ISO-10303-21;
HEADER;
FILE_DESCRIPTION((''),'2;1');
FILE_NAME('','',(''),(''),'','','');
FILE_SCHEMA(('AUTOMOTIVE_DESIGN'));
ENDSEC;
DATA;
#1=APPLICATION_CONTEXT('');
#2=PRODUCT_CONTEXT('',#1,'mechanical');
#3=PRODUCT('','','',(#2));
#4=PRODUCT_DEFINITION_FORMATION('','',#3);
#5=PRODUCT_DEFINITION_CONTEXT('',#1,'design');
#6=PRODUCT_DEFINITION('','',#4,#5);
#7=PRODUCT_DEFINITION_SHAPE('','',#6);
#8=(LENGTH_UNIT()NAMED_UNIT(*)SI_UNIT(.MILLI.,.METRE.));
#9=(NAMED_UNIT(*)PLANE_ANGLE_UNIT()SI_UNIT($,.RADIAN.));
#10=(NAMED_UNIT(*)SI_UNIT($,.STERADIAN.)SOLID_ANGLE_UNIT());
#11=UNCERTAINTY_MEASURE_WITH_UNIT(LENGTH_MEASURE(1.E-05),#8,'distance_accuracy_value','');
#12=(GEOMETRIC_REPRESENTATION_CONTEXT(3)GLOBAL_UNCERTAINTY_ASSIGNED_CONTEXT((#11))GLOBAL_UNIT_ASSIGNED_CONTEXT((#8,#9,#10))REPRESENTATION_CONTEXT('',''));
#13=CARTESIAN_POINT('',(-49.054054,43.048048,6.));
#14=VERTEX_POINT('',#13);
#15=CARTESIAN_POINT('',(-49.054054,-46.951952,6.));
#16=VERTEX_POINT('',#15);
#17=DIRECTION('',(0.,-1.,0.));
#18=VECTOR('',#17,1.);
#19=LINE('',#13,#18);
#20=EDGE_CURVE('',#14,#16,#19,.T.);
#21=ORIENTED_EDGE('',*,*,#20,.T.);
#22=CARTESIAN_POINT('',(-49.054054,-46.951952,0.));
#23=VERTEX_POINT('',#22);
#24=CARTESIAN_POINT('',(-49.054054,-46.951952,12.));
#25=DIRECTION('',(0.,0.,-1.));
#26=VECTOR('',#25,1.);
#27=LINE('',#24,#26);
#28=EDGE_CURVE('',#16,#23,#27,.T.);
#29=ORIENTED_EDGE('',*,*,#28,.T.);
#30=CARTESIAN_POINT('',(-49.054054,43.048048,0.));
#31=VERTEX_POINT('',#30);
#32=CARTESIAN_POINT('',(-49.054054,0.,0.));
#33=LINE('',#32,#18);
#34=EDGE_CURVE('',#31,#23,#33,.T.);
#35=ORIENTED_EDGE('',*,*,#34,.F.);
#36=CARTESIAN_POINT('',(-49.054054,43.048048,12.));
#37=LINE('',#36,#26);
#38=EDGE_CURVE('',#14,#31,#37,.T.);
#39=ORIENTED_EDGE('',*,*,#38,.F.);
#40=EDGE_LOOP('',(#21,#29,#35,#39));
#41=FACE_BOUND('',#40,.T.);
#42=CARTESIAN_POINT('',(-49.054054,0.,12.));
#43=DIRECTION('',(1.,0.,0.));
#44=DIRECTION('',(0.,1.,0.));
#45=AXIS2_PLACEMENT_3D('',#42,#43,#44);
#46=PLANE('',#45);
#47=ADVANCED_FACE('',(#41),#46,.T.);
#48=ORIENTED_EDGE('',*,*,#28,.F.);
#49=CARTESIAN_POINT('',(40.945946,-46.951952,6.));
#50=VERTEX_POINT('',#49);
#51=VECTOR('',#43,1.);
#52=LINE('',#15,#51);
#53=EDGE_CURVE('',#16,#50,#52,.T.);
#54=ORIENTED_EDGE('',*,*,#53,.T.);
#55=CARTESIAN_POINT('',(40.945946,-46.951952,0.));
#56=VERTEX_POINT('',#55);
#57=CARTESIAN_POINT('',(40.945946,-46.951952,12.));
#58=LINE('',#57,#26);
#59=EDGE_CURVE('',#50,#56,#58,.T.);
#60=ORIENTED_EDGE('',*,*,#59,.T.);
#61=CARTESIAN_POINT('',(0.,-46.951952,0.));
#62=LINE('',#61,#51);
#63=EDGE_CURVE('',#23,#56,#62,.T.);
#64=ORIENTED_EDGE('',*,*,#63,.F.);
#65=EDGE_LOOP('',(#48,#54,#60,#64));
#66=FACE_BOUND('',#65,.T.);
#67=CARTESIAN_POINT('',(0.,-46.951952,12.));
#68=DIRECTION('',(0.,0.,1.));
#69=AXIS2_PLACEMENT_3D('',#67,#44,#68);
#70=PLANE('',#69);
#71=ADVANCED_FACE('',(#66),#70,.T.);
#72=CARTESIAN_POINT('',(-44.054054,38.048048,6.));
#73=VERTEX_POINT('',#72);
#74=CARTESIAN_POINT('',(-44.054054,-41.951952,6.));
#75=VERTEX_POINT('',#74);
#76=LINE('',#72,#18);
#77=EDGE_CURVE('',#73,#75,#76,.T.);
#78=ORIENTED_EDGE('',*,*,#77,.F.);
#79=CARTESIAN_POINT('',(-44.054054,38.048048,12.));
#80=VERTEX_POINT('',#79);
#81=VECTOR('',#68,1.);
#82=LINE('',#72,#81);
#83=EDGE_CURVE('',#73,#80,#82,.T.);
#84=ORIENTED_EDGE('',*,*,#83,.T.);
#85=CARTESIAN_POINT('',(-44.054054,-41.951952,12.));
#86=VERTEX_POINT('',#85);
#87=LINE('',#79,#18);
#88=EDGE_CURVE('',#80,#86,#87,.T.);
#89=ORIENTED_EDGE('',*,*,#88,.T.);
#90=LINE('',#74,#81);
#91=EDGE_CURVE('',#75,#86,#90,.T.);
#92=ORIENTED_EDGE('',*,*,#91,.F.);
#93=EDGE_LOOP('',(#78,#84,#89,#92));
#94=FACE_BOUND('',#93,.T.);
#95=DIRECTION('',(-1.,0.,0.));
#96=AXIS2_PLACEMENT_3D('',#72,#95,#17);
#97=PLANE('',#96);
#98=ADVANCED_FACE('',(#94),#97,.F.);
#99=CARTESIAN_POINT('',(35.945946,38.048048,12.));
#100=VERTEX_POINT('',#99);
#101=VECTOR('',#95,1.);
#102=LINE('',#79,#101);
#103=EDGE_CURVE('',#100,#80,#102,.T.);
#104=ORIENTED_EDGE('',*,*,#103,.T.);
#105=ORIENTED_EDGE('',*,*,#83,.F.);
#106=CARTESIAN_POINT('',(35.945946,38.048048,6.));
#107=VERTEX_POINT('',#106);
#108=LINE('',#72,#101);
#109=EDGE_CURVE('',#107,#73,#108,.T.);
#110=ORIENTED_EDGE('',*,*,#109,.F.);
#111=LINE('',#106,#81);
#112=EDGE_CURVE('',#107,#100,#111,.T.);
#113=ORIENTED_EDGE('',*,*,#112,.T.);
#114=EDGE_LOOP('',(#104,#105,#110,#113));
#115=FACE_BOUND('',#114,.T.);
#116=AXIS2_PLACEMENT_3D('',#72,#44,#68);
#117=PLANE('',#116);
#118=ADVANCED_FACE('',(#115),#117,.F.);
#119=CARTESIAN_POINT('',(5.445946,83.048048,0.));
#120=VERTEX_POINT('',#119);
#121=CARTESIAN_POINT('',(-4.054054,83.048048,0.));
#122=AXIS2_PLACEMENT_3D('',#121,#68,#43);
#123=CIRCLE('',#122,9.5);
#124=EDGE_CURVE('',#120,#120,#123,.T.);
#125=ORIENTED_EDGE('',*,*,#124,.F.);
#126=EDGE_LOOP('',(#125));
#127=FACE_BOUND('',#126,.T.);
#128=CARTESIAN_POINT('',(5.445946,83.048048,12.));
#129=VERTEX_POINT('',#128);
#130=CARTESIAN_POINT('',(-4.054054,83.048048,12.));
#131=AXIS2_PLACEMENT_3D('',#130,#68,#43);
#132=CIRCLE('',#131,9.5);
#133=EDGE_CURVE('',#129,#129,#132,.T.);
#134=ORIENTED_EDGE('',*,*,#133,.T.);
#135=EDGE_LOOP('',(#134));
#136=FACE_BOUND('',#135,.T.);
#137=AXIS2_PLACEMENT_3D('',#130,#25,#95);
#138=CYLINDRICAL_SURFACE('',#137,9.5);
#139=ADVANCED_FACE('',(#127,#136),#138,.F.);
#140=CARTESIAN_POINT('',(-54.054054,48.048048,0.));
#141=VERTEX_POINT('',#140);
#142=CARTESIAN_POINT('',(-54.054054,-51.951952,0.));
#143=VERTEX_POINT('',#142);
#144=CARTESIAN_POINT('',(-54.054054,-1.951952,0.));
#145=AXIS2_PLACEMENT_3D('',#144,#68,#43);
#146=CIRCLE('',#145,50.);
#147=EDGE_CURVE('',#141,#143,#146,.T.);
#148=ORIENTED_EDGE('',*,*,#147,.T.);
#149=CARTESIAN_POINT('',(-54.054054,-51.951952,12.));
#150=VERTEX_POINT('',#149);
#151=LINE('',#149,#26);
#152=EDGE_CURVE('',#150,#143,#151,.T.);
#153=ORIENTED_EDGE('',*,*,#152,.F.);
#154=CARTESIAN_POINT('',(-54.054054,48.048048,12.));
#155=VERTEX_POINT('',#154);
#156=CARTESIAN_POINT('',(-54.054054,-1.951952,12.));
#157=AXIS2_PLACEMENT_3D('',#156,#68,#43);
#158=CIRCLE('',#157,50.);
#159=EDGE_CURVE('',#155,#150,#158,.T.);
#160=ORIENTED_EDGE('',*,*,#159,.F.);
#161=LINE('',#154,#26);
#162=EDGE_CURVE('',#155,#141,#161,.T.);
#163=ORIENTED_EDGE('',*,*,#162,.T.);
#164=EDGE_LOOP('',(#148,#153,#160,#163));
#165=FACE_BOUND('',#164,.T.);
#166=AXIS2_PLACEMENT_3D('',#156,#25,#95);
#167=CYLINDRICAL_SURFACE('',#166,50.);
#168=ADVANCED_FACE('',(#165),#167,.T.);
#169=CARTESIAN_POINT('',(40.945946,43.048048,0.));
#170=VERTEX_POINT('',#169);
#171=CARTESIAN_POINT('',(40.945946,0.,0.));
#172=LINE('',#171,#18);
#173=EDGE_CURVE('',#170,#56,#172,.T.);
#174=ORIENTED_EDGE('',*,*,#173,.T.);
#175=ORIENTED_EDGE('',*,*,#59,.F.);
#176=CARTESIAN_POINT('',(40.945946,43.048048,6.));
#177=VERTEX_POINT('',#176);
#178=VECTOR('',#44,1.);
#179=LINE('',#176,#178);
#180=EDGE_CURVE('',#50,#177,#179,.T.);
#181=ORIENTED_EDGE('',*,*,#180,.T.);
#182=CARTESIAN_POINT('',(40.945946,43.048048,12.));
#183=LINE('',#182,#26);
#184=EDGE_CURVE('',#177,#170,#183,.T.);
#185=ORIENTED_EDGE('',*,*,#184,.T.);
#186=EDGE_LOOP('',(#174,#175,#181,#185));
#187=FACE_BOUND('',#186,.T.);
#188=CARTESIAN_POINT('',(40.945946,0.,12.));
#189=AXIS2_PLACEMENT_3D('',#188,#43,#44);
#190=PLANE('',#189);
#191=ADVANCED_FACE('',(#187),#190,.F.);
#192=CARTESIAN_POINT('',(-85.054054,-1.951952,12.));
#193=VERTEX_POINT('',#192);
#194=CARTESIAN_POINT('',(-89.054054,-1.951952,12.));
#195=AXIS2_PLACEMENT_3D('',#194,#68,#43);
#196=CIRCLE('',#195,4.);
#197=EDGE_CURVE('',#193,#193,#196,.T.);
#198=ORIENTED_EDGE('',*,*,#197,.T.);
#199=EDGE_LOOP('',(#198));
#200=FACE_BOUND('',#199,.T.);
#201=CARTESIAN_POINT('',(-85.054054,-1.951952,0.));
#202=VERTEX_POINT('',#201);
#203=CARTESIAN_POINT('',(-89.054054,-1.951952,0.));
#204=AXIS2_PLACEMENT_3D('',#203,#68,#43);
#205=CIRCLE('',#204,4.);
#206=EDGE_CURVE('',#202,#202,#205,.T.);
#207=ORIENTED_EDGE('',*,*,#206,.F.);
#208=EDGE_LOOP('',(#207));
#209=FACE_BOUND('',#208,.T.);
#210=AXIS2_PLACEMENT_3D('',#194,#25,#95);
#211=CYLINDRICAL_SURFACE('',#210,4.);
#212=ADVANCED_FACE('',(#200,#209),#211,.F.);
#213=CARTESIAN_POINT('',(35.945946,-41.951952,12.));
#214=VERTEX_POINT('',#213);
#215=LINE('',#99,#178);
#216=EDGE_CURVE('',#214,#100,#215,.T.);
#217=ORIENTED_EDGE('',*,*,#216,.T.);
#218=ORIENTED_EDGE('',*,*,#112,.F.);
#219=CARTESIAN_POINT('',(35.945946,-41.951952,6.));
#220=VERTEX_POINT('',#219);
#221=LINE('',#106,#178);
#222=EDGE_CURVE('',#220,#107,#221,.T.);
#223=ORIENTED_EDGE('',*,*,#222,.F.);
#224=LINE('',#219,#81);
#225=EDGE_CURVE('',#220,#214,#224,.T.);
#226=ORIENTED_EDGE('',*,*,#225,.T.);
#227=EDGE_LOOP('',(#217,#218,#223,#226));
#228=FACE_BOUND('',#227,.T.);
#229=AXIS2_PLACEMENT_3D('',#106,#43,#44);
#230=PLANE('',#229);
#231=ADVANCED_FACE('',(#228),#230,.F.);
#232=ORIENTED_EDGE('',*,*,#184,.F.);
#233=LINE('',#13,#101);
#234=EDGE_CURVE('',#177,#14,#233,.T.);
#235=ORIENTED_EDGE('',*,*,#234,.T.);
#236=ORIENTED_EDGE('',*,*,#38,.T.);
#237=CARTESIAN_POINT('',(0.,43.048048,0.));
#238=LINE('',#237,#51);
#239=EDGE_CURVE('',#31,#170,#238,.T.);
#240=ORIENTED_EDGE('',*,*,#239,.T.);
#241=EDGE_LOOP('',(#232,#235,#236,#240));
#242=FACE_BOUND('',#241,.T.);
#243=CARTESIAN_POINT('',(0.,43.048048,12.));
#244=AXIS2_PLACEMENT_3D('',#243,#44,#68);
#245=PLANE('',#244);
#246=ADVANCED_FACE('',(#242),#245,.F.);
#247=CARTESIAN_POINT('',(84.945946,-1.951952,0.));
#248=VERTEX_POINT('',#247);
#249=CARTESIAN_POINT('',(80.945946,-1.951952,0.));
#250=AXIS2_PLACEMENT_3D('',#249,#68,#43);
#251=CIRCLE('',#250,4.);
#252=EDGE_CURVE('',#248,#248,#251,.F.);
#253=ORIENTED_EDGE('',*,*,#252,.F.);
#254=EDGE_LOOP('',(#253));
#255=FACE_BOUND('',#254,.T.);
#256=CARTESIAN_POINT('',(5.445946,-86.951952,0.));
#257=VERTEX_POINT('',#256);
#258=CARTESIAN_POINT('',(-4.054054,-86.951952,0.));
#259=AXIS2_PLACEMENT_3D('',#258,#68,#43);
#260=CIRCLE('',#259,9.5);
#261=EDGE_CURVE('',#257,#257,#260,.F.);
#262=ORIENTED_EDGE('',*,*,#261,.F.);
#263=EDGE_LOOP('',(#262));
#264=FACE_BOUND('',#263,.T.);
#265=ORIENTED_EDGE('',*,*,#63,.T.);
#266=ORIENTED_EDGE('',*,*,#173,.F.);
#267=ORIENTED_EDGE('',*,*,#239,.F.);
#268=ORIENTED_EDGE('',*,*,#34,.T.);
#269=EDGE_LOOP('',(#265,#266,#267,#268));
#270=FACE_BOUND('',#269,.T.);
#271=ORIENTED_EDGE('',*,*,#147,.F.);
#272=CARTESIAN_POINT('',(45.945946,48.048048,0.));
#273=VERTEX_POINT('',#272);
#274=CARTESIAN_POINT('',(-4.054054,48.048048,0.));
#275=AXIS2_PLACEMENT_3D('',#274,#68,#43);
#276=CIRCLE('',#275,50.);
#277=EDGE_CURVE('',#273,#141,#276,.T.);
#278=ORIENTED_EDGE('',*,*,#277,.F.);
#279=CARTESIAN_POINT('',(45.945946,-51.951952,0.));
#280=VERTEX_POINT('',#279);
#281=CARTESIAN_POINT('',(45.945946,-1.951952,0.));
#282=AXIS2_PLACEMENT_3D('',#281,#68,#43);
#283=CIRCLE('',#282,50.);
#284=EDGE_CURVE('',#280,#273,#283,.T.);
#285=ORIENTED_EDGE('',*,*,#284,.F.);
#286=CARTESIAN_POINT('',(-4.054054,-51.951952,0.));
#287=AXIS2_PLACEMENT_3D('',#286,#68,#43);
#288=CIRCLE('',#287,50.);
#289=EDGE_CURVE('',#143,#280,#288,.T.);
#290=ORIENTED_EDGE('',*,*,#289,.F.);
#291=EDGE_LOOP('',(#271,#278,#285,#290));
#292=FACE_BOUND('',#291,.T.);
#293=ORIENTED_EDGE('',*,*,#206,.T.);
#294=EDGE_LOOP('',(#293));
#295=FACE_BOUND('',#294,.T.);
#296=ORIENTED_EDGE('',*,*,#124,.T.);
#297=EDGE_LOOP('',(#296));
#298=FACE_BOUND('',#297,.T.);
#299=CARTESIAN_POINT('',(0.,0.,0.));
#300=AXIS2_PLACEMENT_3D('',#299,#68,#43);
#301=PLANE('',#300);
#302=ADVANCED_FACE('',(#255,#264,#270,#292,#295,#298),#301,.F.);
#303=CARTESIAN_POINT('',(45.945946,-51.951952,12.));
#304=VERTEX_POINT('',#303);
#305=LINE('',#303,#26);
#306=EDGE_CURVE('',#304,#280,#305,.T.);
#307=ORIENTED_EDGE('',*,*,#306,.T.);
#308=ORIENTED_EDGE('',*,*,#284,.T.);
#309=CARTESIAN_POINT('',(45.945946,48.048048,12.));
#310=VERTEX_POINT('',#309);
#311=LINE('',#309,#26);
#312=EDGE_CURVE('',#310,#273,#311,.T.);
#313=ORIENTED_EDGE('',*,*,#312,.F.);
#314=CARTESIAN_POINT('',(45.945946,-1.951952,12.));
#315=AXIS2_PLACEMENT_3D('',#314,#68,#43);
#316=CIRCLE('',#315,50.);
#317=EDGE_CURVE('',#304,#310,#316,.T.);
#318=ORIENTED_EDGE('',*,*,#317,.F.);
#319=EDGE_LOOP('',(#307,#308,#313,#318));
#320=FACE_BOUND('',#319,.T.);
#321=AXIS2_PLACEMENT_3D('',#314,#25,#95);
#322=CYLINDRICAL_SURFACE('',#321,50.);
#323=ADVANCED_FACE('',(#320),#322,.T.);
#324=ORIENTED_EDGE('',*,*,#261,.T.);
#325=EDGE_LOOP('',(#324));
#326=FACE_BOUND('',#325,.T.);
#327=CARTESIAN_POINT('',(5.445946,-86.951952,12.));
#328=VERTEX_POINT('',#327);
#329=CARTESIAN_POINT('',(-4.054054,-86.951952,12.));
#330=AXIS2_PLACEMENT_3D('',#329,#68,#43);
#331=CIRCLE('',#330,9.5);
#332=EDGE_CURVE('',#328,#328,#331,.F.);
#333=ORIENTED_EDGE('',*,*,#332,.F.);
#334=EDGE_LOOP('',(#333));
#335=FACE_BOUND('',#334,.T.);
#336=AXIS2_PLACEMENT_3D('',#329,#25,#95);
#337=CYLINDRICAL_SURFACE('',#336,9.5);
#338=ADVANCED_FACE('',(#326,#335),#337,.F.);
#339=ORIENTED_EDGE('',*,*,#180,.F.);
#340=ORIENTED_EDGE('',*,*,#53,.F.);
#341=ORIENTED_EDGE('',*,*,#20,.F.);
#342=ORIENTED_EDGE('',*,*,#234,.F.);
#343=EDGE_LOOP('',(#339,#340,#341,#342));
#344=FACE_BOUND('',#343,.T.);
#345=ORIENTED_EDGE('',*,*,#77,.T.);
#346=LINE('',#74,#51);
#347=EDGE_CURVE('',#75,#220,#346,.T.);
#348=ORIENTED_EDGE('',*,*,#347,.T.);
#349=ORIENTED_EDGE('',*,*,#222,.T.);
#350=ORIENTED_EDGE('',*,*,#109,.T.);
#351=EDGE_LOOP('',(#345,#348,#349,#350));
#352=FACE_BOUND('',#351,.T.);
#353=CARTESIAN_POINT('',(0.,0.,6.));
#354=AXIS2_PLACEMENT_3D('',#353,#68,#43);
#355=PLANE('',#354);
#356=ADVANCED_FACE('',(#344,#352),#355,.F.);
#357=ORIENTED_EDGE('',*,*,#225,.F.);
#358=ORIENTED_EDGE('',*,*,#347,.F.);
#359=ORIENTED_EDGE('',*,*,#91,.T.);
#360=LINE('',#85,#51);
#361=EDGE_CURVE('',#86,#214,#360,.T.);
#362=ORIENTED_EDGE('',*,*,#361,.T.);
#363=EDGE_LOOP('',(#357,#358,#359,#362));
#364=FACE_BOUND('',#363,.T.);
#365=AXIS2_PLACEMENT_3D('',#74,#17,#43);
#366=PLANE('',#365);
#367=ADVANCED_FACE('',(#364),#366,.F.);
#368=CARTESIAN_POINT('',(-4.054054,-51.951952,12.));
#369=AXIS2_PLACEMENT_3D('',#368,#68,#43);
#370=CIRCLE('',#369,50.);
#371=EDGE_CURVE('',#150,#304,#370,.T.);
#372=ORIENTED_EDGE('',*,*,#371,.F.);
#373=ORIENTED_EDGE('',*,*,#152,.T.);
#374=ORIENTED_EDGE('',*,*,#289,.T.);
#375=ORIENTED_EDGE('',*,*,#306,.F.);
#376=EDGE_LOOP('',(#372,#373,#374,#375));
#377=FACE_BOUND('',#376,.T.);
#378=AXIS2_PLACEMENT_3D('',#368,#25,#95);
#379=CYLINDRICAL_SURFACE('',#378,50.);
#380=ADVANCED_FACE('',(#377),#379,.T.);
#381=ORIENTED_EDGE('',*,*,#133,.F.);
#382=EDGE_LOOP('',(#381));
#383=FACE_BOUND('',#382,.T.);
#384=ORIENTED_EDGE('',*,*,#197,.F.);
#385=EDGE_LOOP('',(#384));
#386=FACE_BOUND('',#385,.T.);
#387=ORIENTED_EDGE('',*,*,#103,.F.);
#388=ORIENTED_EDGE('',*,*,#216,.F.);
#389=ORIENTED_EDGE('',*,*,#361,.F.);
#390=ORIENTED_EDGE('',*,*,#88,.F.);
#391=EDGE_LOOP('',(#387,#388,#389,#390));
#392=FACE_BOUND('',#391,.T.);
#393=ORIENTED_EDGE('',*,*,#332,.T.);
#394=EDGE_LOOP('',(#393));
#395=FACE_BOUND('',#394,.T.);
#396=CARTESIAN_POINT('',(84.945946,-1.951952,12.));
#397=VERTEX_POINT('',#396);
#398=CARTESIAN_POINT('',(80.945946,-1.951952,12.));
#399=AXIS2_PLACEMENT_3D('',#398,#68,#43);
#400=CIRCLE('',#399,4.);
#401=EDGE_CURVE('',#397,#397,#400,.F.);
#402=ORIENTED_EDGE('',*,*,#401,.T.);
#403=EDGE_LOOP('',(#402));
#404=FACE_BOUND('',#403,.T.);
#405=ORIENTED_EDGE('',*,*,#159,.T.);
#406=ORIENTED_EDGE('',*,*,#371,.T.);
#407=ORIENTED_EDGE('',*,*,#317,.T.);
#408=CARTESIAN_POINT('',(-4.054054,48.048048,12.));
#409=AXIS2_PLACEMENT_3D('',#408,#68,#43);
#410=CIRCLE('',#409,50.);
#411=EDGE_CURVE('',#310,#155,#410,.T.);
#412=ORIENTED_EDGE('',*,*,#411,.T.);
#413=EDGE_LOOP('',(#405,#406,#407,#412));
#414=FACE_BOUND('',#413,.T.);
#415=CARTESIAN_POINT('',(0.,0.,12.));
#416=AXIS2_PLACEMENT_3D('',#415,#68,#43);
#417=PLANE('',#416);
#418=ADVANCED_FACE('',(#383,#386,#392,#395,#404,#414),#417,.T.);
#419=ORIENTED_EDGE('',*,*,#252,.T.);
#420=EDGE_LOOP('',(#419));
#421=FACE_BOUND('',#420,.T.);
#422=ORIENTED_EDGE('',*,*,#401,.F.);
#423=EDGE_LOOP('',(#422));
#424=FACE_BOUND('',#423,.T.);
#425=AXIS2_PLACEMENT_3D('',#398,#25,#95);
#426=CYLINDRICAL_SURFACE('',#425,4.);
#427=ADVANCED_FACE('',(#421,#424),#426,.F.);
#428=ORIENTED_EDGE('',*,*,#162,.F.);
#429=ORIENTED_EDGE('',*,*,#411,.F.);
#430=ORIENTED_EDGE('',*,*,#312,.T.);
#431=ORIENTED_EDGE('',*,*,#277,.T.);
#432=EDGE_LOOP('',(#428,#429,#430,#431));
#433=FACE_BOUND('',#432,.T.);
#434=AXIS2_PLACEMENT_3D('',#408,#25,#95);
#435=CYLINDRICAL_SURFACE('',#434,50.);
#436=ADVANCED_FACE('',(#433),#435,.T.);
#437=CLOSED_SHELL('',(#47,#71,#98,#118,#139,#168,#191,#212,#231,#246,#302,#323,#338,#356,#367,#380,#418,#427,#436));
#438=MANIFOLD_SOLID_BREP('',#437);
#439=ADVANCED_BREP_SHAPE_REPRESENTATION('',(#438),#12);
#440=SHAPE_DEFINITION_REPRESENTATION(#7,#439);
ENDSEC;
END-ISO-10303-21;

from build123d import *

# Parameters (mm, degrees)
IZIM1_R                     = 9.5
IZIM1_R_2                   = 4
IZIM1_W                     = 90
IZIM1_H                     = 90
Y_KSEKLIK_EKSTR_ZYON1_DEPTH = 12
IZIM2_W                     = 90
IZIM2_H                     = 90
IZIM2_W_2                   = 80
IZIM2_H_2                   = 80
Y_KSEKLIK_EKSTR_ZYON2_DEPTH = 6


with BuildPart() as part:
    # Çizim1 → Yükseklik-Ekstrüzyon1 (new body)
    with BuildSketch(Plane.XY):
        with BuildLine():
            ThreePointArc((45.945945946, 48.048048048), (-4.054054054, 98.048048048), (-54.054054054, 48.048048048))
            ThreePointArc((-54.054054054, 48.048048048), (-104.054054054, -1.951951952), (-54.054054054, -51.951951952))
            ThreePointArc((-54.054054054, -51.951951952), (-4.054054054, -101.951951952), (45.945945946, -51.951951952))
            ThreePointArc((45.945945946, -51.951951952), (95.945945946, -1.951951952), (45.945945946, 48.048048048))
        make_face()
        with Locations((-4.054054054, -86.951951952)):
            Circle(IZIM1_R, mode=Mode.SUBTRACT)
        with Locations((-89.054054054, -1.951951952)):
            Circle(IZIM1_R_2, mode=Mode.SUBTRACT)
        with Locations((-4.054054054, 83.048048048)):
            Circle(IZIM1_R, mode=Mode.SUBTRACT)
        with Locations((80.945945946, -1.951951952)):
            Circle(IZIM1_R_2, mode=Mode.SUBTRACT)
        with Locations((-4.054054054, -1.951951952)):
            Rectangle(IZIM1_W, IZIM1_H, mode=Mode.SUBTRACT)
    extrude(amount=Y_KSEKLIK_EKSTR_ZYON1_DEPTH)

    # Çizim2 → Yükseklik-Ekstrüzyon2 (add)
    with BuildSketch(Plane.XY.offset(12)):
        with Locations((-4.054054054, -1.951951952)):
            Rectangle(IZIM2_W, IZIM2_H)
        with Locations((-4.054054054, -1.951951952)):
            Rectangle(IZIM2_W_2, IZIM2_H_2, mode=Mode.SUBTRACT)
    extrude(amount=-Y_KSEKLIK_EKSTR_ZYON2_DEPTH)


solid = part.part
